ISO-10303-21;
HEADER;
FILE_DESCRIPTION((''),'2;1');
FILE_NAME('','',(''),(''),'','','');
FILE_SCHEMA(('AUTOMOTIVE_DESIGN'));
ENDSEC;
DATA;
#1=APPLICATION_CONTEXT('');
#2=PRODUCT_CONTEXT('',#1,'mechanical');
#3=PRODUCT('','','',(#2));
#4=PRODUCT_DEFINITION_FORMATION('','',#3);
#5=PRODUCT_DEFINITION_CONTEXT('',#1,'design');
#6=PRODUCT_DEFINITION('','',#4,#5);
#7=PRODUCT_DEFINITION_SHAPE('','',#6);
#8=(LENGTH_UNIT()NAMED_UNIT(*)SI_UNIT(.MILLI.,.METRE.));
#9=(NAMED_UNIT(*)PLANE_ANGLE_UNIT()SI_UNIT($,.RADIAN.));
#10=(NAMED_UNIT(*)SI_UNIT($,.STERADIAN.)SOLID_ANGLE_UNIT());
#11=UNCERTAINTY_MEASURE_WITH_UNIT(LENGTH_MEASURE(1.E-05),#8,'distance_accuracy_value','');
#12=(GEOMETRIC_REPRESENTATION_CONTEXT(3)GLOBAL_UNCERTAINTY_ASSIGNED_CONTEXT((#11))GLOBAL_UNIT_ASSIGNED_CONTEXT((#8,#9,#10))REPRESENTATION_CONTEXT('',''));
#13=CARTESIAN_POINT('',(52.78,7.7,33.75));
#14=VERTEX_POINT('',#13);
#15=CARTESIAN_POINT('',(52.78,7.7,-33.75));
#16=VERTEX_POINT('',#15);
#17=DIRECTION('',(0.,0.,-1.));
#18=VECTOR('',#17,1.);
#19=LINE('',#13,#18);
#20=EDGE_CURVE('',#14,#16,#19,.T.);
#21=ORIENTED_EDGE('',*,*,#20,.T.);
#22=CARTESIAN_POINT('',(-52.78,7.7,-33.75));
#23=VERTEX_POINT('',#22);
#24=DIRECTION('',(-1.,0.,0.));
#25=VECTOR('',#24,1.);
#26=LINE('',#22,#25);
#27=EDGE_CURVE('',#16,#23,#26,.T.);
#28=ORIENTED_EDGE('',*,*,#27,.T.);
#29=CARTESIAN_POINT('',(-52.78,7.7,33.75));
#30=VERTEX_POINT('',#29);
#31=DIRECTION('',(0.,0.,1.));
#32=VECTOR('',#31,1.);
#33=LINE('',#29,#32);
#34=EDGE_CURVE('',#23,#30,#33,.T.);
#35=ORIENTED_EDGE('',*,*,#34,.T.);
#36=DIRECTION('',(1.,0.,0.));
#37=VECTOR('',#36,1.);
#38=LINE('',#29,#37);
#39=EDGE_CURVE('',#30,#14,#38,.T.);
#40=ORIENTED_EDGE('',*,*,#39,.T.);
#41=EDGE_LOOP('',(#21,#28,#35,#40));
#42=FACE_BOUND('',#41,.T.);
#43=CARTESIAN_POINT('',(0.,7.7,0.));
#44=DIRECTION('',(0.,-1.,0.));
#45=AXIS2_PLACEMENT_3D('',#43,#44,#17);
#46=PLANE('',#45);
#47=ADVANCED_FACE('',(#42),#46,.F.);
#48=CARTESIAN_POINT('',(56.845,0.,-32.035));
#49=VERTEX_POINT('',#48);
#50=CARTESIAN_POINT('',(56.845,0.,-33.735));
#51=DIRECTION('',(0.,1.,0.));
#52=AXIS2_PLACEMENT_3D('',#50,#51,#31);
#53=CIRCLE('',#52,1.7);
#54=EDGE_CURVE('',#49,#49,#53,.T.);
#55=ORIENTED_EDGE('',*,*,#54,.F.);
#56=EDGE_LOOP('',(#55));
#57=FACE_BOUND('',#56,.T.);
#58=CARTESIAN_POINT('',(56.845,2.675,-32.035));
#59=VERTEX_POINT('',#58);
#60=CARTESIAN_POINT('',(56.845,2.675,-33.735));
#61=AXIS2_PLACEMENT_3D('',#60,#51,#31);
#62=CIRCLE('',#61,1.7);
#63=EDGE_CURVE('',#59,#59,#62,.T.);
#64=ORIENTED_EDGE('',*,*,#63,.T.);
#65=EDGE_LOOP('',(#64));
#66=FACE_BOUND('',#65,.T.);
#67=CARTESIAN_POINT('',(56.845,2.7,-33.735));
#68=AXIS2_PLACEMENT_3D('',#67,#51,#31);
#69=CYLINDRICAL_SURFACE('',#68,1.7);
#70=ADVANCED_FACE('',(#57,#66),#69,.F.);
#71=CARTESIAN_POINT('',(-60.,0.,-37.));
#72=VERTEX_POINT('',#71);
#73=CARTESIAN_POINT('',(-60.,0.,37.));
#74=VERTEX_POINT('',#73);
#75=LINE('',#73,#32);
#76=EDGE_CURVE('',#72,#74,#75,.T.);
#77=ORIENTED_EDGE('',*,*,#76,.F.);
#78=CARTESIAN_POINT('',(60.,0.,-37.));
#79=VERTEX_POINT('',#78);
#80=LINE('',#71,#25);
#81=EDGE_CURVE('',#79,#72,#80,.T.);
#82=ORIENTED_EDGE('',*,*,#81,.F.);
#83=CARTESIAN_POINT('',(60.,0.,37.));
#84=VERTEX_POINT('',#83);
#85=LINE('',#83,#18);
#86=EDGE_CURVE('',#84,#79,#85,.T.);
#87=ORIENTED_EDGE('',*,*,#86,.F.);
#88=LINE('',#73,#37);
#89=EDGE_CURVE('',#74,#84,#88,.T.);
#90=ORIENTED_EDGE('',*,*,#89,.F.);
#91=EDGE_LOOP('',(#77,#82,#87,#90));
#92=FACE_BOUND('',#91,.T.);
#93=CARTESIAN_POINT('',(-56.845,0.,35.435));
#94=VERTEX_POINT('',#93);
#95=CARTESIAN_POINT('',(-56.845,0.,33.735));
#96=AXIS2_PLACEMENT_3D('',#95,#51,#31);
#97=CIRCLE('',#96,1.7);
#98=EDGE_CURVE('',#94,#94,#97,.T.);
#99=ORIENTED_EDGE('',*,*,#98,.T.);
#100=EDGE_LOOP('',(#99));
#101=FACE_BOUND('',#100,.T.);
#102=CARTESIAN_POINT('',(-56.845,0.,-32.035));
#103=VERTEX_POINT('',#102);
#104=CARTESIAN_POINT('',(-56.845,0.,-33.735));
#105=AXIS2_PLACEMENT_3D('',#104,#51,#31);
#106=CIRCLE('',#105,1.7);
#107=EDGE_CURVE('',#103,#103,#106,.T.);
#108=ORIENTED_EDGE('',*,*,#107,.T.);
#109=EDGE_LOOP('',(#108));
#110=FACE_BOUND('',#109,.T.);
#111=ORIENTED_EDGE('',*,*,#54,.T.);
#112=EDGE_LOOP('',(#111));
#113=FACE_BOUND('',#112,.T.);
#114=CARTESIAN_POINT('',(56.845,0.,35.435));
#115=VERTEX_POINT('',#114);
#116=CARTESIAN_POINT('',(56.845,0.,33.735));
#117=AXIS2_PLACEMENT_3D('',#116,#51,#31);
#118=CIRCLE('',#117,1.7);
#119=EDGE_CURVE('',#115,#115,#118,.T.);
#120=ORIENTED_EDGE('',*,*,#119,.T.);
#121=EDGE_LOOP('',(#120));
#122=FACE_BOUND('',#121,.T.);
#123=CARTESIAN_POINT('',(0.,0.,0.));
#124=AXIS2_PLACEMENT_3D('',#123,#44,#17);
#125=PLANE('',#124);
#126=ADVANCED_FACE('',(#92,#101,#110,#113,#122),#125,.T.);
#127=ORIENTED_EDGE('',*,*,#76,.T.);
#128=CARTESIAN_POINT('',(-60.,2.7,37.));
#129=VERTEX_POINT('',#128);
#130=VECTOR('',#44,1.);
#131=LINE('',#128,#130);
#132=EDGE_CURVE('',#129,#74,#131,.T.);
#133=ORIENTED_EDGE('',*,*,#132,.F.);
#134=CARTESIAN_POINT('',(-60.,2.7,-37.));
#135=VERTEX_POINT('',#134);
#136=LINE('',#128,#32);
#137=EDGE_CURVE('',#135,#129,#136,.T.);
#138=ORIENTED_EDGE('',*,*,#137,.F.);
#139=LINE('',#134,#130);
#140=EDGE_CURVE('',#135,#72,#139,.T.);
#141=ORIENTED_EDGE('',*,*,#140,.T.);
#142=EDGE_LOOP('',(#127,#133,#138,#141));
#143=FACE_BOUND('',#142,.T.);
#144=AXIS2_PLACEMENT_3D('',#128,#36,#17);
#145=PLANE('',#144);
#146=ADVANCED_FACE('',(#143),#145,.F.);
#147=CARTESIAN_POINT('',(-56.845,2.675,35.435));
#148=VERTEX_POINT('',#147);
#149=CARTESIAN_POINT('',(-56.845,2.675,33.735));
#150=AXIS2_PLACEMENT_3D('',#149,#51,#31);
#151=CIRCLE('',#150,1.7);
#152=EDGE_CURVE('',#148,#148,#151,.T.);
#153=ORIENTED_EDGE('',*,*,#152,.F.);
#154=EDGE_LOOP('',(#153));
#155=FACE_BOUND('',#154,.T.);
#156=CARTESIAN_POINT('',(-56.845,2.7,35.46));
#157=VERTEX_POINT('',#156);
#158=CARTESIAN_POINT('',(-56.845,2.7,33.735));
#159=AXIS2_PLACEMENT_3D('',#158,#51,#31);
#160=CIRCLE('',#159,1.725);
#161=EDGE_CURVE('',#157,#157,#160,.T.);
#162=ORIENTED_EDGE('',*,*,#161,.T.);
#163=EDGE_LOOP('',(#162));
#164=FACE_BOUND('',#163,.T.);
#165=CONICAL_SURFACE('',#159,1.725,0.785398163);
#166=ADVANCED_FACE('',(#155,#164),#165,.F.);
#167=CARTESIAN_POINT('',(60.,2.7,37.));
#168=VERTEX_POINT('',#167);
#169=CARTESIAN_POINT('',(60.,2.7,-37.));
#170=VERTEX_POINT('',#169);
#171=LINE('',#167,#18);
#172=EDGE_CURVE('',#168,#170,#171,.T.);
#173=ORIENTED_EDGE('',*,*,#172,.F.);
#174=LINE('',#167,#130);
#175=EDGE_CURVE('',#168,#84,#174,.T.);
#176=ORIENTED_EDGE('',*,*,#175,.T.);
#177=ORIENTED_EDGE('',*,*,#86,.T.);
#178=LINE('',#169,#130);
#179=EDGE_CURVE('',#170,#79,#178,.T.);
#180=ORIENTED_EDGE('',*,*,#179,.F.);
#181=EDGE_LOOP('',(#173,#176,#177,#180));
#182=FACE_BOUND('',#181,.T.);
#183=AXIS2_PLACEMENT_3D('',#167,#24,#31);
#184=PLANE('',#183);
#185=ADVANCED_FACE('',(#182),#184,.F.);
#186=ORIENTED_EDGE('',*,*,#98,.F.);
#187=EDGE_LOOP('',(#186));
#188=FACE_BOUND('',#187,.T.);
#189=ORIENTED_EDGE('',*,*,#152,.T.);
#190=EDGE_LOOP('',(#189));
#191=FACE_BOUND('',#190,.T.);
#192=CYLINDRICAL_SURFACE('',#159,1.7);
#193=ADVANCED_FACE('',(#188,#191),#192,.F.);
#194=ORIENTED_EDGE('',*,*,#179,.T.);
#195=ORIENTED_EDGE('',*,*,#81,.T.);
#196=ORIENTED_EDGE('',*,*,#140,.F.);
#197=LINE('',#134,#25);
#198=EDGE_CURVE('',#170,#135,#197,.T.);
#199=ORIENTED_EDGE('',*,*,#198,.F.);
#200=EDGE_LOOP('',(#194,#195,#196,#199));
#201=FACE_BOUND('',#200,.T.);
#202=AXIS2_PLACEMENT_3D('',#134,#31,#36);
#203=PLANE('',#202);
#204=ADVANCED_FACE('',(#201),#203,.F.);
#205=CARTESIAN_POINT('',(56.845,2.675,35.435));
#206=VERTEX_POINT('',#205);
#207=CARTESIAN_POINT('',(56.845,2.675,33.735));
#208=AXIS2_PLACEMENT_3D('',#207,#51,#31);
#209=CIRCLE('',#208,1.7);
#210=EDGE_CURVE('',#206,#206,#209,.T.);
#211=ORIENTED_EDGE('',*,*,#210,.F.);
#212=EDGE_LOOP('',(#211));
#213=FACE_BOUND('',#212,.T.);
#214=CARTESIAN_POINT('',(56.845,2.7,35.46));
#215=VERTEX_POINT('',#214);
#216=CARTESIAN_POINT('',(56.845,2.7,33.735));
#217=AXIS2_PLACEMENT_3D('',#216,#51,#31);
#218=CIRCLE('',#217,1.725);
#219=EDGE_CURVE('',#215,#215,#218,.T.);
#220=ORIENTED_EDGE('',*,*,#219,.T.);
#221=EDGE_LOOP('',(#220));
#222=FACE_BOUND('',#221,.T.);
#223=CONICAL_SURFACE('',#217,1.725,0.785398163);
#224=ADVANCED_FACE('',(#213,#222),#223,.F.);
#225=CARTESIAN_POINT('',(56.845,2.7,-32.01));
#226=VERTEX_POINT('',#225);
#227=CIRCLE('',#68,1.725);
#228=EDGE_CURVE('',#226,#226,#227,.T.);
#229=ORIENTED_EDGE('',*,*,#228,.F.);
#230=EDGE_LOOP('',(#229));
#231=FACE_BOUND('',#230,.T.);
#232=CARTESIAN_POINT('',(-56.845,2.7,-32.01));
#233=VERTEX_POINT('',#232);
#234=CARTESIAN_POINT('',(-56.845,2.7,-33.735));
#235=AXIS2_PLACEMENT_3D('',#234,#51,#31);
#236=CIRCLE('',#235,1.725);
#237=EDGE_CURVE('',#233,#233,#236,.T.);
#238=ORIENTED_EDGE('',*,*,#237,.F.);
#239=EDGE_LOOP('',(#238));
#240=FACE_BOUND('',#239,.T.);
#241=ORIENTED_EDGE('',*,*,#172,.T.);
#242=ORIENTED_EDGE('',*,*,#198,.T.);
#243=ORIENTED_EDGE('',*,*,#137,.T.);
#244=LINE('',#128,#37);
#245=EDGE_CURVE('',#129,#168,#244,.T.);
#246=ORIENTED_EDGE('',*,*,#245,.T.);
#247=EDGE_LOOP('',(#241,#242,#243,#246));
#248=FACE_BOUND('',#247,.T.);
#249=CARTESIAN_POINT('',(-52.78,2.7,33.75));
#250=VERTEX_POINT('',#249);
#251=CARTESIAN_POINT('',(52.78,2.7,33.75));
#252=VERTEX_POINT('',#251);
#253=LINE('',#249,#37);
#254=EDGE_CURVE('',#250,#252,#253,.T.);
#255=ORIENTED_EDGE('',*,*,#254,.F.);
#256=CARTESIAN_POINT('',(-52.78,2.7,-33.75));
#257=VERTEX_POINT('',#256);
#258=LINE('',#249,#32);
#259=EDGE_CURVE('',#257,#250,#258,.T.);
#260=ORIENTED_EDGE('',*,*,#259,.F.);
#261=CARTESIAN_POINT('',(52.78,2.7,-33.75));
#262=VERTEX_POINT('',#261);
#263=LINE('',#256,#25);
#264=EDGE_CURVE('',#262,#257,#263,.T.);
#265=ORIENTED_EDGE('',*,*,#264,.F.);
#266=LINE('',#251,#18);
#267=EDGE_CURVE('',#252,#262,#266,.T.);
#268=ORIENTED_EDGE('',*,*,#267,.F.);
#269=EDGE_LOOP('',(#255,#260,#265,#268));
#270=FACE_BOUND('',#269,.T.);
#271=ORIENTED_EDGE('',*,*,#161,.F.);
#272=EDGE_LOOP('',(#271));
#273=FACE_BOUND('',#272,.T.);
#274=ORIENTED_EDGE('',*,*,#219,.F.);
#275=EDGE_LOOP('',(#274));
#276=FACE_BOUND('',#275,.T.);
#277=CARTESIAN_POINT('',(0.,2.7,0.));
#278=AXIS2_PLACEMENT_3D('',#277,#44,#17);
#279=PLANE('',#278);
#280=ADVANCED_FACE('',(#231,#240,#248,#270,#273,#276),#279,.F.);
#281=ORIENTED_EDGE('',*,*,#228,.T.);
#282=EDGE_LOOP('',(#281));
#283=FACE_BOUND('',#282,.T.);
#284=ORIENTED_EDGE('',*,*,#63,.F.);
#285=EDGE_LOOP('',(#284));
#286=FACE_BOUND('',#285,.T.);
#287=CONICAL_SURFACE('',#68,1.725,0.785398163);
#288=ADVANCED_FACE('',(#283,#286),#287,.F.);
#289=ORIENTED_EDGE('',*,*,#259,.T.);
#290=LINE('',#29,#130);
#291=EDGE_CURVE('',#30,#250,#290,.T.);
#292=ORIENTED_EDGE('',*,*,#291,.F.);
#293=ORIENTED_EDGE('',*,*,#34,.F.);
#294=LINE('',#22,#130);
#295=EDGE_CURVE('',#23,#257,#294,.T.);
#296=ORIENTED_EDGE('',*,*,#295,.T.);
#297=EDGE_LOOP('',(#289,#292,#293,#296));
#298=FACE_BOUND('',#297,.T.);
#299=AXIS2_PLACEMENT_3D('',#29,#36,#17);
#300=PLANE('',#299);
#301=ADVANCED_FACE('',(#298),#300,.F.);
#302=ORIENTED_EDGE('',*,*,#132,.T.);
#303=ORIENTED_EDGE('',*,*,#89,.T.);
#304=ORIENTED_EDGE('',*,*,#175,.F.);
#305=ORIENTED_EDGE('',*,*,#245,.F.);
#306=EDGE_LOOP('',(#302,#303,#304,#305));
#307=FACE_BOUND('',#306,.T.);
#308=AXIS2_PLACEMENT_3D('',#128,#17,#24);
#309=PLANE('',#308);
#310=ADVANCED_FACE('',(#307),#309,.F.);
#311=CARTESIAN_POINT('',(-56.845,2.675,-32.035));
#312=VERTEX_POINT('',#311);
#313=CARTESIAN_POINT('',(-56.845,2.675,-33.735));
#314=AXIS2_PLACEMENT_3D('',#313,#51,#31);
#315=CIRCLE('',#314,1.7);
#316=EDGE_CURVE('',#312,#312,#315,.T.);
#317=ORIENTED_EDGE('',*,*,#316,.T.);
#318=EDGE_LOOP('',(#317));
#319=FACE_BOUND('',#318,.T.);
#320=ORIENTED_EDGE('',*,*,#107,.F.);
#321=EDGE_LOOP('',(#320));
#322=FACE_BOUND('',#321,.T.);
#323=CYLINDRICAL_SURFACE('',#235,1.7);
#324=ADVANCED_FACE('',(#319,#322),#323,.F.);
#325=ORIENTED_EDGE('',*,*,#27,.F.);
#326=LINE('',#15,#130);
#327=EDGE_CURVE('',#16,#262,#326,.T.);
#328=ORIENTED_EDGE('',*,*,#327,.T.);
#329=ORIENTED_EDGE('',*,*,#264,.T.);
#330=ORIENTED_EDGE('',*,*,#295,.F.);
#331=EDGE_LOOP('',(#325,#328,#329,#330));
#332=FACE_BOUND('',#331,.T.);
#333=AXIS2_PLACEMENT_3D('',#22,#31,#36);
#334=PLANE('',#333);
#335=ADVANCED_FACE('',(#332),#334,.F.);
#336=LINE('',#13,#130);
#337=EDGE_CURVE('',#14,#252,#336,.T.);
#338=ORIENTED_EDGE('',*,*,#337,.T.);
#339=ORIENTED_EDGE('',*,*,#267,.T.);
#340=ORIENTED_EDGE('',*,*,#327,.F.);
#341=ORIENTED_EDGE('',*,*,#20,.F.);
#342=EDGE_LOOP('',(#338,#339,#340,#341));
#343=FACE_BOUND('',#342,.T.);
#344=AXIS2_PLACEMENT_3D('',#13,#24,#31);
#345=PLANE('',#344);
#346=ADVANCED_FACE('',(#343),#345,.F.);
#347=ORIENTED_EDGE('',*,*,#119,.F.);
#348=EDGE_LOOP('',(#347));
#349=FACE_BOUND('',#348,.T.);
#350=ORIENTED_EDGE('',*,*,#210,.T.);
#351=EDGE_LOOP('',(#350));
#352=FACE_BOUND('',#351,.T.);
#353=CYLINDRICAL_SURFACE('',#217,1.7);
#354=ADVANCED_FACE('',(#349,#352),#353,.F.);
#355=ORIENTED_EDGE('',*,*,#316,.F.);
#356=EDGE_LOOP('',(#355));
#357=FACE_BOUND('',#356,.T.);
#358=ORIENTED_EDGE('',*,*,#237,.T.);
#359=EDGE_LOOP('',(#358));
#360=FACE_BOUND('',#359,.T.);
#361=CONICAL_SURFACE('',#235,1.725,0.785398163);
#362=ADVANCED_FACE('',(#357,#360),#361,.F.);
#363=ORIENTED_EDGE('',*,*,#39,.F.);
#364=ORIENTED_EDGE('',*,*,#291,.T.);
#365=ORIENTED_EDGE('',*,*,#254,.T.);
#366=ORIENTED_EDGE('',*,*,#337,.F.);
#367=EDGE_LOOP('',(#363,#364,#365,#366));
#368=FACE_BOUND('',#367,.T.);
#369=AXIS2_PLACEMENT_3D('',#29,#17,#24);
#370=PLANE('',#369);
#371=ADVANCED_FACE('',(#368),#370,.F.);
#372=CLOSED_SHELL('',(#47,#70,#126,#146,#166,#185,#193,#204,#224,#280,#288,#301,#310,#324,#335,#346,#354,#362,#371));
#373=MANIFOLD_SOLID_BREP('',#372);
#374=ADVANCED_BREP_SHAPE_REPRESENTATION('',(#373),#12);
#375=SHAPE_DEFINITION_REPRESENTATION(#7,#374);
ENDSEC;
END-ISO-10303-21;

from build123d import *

# Parameters (mm, degrees)
SKETCH1_W                      = 120
SKETCH1_H                      = 74
BOSS_EXTRUDE1_DEPTH            = 2.7
SKETCH2_W                      = 105.56
SKETCH2_H                      = 67.5
BOSS_EXTRUDE2_DEPTH            = 5
M3_CLEARANCE_HOLE1_D           = 3.4
M3_CLEARANCE_HOLE1_CSINK_D     = 3.45
M3_CLEARANCE_HOLE1_CSINK_ANGLE = 90


with BuildPart() as part:
    # Sketch1 → Boss-Extrude1 (new body)
    with BuildSketch(Plane(origin=(0, 0, 0), x_dir=(1, 0, 0), z_dir=(0, 1, 0))):
        Rectangle(SKETCH1_W, SKETCH1_H)
    extrude(amount=BOSS_EXTRUDE1_DEPTH)

    # Sketch2 → Boss-Extrude2 (add)
    with BuildSketch(Plane(origin=(0, 2.7, 0), x_dir=(1, 0, 0), z_dir=(0, 1, 0))):
        Rectangle(SKETCH2_W, SKETCH2_H)
    extrude(amount=BOSS_EXTRUDE2_DEPTH)

    # M3 Clearance Hole1 (through all)
    with Locations(Plane(origin=(0, 2.7, 0), x_dir=(1, 0, 0), z_dir=(0, 1, 0))):
        with Locations((-56.845, 33.735), (56.845, 33.735), (56.845, -33.735), (-56.845, -33.735)):
            CounterSinkHole(M3_CLEARANCE_HOLE1_D / 2, M3_CLEARANCE_HOLE1_CSINK_D / 2, counter_sink_angle=M3_CLEARANCE_HOLE1_CSINK_ANGLE)


solid = part.part
